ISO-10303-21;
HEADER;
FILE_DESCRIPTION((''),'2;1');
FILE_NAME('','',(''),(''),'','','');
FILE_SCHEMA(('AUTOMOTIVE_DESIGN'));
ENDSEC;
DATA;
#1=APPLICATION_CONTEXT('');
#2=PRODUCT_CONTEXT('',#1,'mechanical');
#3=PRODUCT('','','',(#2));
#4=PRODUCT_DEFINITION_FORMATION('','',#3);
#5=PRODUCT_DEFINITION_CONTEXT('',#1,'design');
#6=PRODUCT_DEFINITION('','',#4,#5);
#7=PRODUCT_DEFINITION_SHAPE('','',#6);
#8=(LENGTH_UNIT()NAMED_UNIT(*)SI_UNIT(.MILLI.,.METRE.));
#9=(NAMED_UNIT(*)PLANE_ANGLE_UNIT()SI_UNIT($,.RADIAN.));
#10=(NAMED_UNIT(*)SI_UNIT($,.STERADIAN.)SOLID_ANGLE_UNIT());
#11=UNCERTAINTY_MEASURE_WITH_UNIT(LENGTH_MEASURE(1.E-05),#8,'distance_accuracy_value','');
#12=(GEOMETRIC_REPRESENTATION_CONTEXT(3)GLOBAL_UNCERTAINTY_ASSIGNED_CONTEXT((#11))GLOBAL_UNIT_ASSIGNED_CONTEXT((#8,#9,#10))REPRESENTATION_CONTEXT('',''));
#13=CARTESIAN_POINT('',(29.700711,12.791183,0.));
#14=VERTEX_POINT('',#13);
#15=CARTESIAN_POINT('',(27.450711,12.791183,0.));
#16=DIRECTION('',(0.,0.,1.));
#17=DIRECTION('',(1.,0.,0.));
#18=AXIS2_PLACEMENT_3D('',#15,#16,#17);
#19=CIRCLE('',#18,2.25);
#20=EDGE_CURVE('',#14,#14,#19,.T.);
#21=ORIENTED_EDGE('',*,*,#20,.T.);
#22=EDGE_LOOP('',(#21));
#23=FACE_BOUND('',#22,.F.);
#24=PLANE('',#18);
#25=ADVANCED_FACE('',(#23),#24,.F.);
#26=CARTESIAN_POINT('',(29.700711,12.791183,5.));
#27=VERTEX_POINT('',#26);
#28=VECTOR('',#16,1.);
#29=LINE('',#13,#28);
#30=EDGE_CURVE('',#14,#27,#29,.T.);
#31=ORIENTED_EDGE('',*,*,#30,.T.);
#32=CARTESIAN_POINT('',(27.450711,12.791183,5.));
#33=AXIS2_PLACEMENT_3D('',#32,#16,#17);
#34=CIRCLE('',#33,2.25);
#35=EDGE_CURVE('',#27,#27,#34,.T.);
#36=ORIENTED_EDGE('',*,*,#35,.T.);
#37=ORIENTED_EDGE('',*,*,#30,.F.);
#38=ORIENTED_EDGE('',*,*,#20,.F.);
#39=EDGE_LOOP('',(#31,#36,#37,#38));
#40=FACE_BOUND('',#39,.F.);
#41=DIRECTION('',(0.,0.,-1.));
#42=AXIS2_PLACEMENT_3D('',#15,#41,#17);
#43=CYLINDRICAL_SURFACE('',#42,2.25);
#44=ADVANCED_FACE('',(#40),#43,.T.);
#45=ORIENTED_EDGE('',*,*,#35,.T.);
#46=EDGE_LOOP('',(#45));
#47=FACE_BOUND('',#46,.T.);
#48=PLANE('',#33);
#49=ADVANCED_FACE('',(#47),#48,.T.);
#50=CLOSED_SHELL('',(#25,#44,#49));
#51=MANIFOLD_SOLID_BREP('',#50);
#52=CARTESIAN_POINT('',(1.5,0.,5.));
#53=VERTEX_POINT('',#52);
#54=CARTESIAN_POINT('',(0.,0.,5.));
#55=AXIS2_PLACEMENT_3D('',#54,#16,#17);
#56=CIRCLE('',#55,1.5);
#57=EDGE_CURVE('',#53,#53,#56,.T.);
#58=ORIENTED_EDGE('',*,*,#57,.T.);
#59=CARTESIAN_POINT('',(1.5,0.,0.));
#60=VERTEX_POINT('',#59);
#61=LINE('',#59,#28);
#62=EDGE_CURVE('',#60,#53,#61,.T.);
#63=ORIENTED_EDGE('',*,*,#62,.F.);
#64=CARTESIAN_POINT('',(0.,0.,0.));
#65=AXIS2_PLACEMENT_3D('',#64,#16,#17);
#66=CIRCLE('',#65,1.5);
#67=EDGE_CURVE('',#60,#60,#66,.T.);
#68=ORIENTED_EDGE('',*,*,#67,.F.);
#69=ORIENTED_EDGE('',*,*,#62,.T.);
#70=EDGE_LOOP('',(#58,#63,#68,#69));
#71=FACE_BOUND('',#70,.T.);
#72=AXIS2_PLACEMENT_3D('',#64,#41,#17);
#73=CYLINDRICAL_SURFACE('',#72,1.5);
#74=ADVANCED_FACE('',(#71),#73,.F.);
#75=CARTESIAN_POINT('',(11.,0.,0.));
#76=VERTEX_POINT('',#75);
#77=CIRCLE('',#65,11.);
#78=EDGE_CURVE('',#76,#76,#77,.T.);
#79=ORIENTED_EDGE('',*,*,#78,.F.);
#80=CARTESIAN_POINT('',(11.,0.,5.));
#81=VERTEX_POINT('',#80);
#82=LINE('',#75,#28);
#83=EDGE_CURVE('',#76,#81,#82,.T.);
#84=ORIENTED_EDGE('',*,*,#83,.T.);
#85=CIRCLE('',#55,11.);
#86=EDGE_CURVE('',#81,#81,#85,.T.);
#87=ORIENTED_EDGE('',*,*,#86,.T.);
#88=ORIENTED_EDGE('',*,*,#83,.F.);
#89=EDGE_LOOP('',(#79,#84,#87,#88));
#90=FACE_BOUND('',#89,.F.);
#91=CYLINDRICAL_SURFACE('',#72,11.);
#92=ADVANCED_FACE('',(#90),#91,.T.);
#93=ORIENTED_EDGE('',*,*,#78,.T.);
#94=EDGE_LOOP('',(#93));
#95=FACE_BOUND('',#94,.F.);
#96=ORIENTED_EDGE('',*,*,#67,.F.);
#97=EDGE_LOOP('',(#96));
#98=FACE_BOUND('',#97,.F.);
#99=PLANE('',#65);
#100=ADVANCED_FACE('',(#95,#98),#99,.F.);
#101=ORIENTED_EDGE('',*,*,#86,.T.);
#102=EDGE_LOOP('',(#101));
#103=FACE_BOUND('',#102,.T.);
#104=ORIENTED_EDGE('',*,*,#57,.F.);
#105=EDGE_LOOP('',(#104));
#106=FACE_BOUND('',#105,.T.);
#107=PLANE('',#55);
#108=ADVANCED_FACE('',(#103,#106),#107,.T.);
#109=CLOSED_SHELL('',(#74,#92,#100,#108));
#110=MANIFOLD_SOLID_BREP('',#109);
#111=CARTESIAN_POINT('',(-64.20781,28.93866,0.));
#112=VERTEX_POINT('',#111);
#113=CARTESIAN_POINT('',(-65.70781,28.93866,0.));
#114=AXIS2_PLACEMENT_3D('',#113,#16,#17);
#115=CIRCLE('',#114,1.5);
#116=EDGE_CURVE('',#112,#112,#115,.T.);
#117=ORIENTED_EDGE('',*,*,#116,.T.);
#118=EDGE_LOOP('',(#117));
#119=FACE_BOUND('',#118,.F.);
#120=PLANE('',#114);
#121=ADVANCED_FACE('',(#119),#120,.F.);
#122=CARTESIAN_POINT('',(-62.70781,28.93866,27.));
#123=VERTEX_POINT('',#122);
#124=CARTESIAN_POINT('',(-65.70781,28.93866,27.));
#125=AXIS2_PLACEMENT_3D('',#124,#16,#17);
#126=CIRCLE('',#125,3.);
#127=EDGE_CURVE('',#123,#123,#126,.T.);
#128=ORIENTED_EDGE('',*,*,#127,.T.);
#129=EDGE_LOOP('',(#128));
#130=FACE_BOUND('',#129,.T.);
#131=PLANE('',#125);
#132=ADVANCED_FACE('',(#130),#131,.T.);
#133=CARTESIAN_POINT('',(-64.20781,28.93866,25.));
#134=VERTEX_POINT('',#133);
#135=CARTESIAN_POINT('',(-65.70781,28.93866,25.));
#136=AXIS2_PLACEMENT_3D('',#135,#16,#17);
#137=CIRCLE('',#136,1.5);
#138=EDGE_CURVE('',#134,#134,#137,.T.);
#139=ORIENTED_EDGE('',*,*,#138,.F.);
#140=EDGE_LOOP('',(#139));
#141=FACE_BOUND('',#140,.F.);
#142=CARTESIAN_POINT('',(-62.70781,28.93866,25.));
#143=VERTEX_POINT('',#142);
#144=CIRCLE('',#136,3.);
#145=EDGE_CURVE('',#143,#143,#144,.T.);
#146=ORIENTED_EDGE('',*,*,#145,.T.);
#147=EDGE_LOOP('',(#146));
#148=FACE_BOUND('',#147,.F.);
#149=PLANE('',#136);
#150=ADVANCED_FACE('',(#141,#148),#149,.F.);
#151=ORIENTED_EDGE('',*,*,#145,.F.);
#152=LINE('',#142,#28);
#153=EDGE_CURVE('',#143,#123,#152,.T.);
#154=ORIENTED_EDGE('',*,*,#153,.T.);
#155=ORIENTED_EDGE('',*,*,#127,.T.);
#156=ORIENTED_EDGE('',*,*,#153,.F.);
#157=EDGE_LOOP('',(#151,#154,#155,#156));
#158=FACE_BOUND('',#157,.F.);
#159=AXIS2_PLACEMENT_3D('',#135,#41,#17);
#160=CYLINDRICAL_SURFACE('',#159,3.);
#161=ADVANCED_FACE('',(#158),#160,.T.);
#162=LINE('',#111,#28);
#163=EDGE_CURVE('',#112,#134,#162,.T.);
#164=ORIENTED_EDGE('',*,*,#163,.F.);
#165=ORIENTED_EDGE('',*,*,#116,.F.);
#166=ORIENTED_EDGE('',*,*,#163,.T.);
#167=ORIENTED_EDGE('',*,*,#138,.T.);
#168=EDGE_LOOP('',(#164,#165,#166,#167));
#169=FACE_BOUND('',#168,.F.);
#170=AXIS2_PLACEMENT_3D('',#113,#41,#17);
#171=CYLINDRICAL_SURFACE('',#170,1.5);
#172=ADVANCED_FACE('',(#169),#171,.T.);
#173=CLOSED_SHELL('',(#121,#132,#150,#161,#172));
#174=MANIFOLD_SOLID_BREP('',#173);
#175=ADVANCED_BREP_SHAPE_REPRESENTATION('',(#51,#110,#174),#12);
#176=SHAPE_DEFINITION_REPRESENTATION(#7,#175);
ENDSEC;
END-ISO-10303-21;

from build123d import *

# Parameters (mm, degrees)
F0_R     = 11
F0_R_2   = 1.5
F0_R_3   = 2.25
F1_DEPTH = 5
F2_DEPTH = 25
F3_R     = 3
F3_R_2   = 1.5
F4_DEPTH = 2


with BuildPart() as f1:
    # F0 (on Top) → F1 (new body)
    with BuildSketch(Plane.XY):
        Circle(F0_R)
        Circle(F0_R_2, mode=Mode.SUBTRACT)
        with Locations((27.450711, 12.791183)):
            Circle(F0_R_3)
    extrude(amount=F1_DEPTH)


with BuildPart() as f2:
    # F0 (on Top) → F2 (new body)
    with BuildSketch(Plane.XY):
        with Locations((-65.70781, 28.93866)):
            Circle(F0_R_2)
    extrude(amount=F2_DEPTH)

    # F3 (on face) → F4 (join)
    with BuildSketch(Plane.XY.offset(25)):
        with Locations((-65.70781, 28.93866)):
            Circle(F3_R)
        with Locations((-65.70781, 28.93866)):
            Circle(F3_R_2, mode=Mode.SUBTRACT)
        with Locations((-65.70781, 28.93866)):
            Circle(F3_R_2)
    extrude(amount=F4_DEPTH)


solid = Compound([f1.part, f2.part])
